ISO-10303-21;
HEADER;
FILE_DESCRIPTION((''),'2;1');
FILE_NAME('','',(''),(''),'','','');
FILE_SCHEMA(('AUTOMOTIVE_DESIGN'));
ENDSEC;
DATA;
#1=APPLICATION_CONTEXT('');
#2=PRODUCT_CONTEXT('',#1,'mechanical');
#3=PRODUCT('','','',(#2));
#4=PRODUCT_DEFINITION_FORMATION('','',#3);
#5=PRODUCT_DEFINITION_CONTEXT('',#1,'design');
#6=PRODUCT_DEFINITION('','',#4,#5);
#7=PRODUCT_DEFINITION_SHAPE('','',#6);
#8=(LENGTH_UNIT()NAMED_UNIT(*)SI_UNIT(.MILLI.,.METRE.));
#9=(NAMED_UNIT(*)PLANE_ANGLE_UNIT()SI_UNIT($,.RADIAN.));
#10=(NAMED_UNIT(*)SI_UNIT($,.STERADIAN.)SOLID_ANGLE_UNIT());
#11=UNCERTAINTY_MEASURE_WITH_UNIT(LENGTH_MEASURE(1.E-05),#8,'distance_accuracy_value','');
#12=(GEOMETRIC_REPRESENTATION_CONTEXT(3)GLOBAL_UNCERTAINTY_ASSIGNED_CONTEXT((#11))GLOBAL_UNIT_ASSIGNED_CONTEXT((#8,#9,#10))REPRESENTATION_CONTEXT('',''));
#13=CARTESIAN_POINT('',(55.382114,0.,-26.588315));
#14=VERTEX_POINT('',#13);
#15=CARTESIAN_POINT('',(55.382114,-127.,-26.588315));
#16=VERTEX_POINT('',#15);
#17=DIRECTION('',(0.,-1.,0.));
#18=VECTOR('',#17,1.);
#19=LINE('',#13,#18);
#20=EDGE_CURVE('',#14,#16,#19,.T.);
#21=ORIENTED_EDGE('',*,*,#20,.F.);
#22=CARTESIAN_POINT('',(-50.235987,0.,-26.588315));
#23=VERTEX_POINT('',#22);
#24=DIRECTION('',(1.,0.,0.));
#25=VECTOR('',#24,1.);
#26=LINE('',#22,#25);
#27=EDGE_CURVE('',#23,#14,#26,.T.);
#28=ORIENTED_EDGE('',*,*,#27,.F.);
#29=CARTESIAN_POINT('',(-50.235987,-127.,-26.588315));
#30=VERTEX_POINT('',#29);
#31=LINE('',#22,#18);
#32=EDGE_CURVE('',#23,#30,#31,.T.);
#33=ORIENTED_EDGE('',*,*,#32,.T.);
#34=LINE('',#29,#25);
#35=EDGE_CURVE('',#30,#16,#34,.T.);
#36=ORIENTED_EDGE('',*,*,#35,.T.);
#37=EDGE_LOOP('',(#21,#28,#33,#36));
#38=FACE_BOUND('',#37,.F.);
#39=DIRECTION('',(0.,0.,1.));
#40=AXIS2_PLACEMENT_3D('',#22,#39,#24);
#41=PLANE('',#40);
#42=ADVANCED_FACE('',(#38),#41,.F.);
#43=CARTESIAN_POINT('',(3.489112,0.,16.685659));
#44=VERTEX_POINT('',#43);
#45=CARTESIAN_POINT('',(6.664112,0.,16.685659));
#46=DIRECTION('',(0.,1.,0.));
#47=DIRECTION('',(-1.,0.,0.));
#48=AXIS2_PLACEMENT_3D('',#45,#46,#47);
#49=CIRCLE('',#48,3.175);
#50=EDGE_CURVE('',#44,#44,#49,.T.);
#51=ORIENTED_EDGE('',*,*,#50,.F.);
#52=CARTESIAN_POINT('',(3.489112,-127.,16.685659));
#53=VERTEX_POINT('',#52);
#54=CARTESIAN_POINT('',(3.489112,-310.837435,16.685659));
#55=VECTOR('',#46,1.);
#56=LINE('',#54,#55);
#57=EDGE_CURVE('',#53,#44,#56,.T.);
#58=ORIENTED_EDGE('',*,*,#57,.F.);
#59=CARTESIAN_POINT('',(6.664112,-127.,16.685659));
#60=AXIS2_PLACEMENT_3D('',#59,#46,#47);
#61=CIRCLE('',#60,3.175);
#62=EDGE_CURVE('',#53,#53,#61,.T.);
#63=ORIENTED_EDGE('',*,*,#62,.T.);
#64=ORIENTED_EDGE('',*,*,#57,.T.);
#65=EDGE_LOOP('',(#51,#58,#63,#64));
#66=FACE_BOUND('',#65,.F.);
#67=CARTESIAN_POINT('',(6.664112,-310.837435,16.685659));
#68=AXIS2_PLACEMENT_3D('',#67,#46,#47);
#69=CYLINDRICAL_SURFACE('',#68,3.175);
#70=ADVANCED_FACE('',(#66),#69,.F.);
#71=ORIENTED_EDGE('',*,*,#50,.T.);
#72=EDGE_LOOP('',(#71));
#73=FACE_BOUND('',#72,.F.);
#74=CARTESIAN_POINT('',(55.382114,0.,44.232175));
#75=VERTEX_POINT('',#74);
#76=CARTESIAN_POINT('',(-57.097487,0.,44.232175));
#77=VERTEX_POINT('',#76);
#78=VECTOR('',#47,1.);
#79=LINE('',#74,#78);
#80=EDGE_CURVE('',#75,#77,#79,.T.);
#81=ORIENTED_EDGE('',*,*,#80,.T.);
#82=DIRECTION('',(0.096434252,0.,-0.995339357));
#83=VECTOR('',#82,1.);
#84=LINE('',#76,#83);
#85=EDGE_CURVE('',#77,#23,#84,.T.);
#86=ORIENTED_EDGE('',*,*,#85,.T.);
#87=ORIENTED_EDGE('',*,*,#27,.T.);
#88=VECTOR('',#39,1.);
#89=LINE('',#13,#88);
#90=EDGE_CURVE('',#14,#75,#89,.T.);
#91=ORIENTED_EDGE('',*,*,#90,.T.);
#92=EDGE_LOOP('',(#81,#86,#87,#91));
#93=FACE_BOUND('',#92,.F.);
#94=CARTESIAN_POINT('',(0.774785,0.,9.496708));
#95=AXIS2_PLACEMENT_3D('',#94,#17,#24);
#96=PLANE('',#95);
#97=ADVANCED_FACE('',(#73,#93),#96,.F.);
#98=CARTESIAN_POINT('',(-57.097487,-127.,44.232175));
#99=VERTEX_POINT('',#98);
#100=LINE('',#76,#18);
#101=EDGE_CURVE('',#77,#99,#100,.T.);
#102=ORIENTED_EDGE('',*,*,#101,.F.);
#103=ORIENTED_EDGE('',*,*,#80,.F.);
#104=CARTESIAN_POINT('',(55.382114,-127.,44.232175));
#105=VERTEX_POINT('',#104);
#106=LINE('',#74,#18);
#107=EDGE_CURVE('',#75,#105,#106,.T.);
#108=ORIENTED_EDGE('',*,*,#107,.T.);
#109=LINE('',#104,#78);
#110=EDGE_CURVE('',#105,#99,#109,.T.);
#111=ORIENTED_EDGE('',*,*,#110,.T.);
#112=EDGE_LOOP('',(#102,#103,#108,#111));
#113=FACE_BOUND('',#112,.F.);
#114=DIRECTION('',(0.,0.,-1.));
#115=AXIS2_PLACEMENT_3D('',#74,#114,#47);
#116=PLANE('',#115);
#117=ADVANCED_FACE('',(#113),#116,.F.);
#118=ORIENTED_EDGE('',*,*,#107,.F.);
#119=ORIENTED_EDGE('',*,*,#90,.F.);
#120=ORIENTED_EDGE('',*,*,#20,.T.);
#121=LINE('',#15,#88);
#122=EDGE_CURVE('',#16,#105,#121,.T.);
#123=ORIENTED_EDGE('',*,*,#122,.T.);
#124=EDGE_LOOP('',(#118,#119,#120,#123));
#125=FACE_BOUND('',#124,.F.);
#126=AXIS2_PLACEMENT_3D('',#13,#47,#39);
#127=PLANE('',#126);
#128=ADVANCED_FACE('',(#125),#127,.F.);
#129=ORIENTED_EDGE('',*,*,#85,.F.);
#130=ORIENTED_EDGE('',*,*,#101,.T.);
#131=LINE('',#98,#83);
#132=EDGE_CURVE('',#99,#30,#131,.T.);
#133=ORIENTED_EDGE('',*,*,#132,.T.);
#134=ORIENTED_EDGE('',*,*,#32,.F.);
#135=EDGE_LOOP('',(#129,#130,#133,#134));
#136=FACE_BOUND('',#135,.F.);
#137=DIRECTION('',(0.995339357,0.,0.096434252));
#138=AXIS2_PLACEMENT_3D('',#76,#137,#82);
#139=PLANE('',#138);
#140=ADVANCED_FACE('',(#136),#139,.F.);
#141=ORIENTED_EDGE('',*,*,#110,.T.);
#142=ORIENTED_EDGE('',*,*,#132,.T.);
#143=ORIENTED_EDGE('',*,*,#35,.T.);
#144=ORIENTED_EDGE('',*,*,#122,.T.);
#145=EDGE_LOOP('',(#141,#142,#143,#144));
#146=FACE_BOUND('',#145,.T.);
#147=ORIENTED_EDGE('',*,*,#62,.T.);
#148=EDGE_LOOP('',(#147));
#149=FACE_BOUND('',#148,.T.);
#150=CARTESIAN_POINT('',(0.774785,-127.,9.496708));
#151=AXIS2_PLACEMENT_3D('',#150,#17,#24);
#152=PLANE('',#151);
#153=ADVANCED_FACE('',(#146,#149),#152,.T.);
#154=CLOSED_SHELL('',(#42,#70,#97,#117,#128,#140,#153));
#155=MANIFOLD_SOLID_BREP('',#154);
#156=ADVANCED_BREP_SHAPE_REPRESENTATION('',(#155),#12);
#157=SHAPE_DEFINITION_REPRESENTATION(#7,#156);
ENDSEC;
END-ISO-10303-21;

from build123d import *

# Parameters (mm, degrees)
F1_DEPTH = 127
F3_D     = 6.35


with BuildPart() as f1:
    # F0 (on Front) → F1 (new body)
    with BuildSketch(Plane.XZ):
        Polygon((55.382114, 44.232175), (-57.097487, 44.232175), (-50.235987, -26.588315), (55.382114, -26.588315), align=None)
    extrude(amount=F1_DEPTH)

    # F3 (through all)
    with Locations(Plane.XZ.offset(127)):
        with Locations((6.664112, 16.685659)):
            Hole(F3_D / 2)


solid = f1.part
